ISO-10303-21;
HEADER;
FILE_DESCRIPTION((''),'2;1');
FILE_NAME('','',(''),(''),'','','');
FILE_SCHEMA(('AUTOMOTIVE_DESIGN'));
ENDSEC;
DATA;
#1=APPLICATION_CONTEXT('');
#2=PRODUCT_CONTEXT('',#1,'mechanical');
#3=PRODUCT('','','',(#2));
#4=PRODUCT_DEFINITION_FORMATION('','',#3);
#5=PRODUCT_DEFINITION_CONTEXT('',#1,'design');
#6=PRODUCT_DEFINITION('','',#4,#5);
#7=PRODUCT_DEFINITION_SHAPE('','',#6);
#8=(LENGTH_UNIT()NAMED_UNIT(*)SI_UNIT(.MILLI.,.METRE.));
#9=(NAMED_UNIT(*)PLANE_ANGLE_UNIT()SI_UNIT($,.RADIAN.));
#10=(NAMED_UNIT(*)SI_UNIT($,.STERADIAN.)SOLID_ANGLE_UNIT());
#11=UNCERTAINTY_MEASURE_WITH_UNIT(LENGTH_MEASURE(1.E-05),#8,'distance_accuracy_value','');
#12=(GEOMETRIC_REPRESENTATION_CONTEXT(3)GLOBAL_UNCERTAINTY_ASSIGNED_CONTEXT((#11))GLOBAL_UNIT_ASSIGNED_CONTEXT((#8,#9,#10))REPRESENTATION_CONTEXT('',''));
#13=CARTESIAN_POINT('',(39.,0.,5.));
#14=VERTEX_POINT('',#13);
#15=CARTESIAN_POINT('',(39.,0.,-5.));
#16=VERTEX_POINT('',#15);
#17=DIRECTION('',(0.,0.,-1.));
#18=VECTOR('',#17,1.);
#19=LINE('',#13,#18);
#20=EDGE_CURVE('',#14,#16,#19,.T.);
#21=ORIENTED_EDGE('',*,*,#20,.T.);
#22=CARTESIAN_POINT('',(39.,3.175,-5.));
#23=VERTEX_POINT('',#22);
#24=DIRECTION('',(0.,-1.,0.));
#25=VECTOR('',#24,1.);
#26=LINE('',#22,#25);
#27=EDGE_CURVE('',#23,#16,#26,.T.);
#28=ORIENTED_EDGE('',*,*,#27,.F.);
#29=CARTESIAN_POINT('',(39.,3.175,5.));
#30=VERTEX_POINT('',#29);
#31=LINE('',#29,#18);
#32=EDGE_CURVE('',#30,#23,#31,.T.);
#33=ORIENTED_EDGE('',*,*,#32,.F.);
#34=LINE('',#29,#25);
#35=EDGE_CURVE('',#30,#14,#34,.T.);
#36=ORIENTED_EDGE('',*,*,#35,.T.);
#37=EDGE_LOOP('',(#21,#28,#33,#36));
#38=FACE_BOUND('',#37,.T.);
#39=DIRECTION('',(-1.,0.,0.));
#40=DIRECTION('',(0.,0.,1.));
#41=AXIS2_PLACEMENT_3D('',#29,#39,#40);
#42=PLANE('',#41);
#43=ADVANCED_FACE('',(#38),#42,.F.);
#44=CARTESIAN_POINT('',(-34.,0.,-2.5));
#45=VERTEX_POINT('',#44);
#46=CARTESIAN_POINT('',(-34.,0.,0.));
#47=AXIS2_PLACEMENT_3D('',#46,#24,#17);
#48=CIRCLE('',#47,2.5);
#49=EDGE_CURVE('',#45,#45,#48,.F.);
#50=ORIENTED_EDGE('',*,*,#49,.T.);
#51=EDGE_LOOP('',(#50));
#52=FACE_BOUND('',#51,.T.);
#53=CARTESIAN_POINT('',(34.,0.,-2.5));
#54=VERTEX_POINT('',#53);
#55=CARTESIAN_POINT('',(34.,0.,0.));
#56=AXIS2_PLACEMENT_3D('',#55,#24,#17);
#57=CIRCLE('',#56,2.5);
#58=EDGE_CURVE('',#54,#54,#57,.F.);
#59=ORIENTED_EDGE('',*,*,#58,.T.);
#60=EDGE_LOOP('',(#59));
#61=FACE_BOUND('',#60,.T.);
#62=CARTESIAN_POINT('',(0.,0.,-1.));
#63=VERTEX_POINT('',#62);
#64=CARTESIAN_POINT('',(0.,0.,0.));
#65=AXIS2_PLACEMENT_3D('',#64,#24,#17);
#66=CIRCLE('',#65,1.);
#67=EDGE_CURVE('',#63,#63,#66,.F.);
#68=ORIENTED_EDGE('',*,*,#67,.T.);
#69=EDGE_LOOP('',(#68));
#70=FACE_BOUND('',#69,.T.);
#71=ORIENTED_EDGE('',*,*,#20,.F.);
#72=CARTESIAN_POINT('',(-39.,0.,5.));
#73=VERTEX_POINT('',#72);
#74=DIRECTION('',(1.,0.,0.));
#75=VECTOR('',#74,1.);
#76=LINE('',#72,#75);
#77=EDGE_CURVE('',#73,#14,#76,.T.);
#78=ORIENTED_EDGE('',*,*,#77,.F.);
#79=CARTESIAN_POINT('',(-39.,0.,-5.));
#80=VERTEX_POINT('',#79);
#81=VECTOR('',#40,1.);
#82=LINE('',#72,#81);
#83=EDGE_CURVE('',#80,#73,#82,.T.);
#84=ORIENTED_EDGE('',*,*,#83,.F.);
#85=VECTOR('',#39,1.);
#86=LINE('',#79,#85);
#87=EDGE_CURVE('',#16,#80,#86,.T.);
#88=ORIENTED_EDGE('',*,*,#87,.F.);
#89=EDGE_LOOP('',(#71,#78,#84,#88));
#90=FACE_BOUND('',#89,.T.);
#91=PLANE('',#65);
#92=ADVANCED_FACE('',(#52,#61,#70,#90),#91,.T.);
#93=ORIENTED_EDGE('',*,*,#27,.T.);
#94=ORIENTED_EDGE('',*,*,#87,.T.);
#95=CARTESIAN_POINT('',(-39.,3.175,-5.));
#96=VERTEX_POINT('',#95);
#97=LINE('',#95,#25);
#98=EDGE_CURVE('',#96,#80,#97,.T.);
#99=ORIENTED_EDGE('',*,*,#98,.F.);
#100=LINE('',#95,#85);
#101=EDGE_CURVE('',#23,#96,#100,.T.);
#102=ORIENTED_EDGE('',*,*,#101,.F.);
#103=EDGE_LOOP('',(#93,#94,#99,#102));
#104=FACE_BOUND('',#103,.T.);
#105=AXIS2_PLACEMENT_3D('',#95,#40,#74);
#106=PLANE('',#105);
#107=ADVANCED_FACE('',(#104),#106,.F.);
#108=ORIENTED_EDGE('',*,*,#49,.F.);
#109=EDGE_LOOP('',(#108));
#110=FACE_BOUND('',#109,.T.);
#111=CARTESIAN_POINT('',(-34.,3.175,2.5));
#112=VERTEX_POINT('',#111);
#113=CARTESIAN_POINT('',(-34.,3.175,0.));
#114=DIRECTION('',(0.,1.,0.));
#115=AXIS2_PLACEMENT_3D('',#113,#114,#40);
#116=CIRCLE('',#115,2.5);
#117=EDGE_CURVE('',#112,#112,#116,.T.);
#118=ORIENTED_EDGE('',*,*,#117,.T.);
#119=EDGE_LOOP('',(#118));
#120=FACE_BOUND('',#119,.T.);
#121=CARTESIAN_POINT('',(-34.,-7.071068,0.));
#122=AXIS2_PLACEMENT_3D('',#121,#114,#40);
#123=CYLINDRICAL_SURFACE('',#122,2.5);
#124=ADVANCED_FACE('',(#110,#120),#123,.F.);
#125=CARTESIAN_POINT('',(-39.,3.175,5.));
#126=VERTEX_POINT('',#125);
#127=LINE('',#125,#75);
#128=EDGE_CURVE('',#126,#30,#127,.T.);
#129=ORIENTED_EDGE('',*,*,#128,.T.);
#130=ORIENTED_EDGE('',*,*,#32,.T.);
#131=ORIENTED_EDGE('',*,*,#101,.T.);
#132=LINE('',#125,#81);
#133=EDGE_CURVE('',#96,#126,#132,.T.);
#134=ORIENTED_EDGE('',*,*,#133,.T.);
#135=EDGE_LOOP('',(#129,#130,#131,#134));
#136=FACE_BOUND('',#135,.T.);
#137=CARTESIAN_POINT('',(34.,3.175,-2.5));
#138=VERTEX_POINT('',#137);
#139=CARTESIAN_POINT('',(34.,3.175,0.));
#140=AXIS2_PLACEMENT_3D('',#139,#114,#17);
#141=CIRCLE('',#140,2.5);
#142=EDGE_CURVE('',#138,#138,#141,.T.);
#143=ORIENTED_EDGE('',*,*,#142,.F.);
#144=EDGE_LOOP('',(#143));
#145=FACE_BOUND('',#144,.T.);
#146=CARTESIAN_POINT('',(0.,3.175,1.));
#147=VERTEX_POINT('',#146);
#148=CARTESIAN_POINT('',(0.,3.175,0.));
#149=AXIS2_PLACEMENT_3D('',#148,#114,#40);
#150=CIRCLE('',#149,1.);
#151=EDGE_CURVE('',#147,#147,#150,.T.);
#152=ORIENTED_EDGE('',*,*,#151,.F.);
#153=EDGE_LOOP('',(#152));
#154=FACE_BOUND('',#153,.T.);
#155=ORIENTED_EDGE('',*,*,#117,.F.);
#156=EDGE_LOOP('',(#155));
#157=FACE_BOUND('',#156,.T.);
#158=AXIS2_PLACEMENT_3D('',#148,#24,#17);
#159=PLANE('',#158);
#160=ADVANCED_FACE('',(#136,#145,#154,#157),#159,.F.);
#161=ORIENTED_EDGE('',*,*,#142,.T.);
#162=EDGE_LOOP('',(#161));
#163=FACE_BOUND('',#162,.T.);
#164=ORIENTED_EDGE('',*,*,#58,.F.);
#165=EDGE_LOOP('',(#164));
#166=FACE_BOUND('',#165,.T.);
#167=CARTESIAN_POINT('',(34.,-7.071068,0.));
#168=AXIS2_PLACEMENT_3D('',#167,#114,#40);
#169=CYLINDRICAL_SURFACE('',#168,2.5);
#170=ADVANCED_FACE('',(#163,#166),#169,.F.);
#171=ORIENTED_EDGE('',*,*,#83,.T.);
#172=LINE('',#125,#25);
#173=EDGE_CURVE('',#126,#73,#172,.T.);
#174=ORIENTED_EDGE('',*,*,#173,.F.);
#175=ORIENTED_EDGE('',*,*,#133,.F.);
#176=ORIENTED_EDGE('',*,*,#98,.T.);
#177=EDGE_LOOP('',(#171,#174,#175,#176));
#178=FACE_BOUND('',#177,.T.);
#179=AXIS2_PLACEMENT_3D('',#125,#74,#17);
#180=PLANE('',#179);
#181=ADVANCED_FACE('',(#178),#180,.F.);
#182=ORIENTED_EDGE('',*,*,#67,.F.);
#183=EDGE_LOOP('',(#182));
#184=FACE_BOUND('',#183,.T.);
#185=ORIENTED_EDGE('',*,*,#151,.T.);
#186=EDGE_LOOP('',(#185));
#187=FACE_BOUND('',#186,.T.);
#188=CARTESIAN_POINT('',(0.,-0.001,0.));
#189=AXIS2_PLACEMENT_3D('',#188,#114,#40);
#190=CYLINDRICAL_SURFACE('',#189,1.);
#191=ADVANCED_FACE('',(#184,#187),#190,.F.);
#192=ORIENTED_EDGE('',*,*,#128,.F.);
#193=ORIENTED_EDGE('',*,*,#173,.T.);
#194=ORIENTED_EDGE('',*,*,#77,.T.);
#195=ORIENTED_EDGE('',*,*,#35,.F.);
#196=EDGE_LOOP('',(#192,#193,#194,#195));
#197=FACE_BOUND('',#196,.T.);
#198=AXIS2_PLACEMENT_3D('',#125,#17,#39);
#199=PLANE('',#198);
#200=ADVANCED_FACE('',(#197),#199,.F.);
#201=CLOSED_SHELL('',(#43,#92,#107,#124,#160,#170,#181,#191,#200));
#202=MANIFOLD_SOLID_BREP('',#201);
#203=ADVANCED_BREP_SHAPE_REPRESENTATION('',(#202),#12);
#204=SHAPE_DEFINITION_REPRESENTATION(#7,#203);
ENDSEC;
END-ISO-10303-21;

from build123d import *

# Parameters (mm, degrees)
SKETCH2_W           = 78
SKETCH2_H           = 10
BOSS_EXTRUDE1_DEPTH = 3.175
SKETCH3_R           = 2.5
CUT_EXTRUDE1_DEPTH  = 3.175
CUT_EXTRUDE2_REACH  = 41.447
SKETCH4_R           = 1


with BuildPart() as part:
    # Sketch2 → Boss-Extrude1 (new body)
    with BuildSketch(Plane(origin=(0, 0, 0), x_dir=(1, 0, 0), z_dir=(0, 1, 0))):
        Rectangle(SKETCH2_W, SKETCH2_H)
    extrude(amount=BOSS_EXTRUDE1_DEPTH)

    # Sketch3 → Cut-Extrude1 (cut)
    with BuildSketch(Plane(origin=(0, 3.175, 0), x_dir=(1, 0, 0), z_dir=(0, 1, 0))):
        with Locations(Location((-34, 0, 0), (0, 0, 270))):
            Circle(SKETCH3_R)
        with Locations(Location((34, 0, 0), (0, 0, 90))):
            Circle(SKETCH3_R)
    extrude(amount=-CUT_EXTRUDE1_DEPTH, mode=Mode.SUBTRACT)

    # Sketch4 → Cut-Extrude2 (cut, up to next)
    with BuildSketch(Plane(origin=(0, 3.175, 0), x_dir=(1, 0, 0), z_dir=(0, 1, 0)), mode=Mode.PRIVATE) as cut_extrude2_sk1:
        with Locations(Location((0, 0, 0), (0, 0, 270))):
            Circle(SKETCH4_R)
    cut_extrude2_tool1 = extrude(cut_extrude2_sk1.sketch, amount=-CUT_EXTRUDE2_REACH, mode=Mode.PRIVATE) & part.part
    add(cut_extrude2_tool1.solids().sort_by_distance((0, 3.175, 0))[0], mode=Mode.SUBTRACT)


solid = part.part
